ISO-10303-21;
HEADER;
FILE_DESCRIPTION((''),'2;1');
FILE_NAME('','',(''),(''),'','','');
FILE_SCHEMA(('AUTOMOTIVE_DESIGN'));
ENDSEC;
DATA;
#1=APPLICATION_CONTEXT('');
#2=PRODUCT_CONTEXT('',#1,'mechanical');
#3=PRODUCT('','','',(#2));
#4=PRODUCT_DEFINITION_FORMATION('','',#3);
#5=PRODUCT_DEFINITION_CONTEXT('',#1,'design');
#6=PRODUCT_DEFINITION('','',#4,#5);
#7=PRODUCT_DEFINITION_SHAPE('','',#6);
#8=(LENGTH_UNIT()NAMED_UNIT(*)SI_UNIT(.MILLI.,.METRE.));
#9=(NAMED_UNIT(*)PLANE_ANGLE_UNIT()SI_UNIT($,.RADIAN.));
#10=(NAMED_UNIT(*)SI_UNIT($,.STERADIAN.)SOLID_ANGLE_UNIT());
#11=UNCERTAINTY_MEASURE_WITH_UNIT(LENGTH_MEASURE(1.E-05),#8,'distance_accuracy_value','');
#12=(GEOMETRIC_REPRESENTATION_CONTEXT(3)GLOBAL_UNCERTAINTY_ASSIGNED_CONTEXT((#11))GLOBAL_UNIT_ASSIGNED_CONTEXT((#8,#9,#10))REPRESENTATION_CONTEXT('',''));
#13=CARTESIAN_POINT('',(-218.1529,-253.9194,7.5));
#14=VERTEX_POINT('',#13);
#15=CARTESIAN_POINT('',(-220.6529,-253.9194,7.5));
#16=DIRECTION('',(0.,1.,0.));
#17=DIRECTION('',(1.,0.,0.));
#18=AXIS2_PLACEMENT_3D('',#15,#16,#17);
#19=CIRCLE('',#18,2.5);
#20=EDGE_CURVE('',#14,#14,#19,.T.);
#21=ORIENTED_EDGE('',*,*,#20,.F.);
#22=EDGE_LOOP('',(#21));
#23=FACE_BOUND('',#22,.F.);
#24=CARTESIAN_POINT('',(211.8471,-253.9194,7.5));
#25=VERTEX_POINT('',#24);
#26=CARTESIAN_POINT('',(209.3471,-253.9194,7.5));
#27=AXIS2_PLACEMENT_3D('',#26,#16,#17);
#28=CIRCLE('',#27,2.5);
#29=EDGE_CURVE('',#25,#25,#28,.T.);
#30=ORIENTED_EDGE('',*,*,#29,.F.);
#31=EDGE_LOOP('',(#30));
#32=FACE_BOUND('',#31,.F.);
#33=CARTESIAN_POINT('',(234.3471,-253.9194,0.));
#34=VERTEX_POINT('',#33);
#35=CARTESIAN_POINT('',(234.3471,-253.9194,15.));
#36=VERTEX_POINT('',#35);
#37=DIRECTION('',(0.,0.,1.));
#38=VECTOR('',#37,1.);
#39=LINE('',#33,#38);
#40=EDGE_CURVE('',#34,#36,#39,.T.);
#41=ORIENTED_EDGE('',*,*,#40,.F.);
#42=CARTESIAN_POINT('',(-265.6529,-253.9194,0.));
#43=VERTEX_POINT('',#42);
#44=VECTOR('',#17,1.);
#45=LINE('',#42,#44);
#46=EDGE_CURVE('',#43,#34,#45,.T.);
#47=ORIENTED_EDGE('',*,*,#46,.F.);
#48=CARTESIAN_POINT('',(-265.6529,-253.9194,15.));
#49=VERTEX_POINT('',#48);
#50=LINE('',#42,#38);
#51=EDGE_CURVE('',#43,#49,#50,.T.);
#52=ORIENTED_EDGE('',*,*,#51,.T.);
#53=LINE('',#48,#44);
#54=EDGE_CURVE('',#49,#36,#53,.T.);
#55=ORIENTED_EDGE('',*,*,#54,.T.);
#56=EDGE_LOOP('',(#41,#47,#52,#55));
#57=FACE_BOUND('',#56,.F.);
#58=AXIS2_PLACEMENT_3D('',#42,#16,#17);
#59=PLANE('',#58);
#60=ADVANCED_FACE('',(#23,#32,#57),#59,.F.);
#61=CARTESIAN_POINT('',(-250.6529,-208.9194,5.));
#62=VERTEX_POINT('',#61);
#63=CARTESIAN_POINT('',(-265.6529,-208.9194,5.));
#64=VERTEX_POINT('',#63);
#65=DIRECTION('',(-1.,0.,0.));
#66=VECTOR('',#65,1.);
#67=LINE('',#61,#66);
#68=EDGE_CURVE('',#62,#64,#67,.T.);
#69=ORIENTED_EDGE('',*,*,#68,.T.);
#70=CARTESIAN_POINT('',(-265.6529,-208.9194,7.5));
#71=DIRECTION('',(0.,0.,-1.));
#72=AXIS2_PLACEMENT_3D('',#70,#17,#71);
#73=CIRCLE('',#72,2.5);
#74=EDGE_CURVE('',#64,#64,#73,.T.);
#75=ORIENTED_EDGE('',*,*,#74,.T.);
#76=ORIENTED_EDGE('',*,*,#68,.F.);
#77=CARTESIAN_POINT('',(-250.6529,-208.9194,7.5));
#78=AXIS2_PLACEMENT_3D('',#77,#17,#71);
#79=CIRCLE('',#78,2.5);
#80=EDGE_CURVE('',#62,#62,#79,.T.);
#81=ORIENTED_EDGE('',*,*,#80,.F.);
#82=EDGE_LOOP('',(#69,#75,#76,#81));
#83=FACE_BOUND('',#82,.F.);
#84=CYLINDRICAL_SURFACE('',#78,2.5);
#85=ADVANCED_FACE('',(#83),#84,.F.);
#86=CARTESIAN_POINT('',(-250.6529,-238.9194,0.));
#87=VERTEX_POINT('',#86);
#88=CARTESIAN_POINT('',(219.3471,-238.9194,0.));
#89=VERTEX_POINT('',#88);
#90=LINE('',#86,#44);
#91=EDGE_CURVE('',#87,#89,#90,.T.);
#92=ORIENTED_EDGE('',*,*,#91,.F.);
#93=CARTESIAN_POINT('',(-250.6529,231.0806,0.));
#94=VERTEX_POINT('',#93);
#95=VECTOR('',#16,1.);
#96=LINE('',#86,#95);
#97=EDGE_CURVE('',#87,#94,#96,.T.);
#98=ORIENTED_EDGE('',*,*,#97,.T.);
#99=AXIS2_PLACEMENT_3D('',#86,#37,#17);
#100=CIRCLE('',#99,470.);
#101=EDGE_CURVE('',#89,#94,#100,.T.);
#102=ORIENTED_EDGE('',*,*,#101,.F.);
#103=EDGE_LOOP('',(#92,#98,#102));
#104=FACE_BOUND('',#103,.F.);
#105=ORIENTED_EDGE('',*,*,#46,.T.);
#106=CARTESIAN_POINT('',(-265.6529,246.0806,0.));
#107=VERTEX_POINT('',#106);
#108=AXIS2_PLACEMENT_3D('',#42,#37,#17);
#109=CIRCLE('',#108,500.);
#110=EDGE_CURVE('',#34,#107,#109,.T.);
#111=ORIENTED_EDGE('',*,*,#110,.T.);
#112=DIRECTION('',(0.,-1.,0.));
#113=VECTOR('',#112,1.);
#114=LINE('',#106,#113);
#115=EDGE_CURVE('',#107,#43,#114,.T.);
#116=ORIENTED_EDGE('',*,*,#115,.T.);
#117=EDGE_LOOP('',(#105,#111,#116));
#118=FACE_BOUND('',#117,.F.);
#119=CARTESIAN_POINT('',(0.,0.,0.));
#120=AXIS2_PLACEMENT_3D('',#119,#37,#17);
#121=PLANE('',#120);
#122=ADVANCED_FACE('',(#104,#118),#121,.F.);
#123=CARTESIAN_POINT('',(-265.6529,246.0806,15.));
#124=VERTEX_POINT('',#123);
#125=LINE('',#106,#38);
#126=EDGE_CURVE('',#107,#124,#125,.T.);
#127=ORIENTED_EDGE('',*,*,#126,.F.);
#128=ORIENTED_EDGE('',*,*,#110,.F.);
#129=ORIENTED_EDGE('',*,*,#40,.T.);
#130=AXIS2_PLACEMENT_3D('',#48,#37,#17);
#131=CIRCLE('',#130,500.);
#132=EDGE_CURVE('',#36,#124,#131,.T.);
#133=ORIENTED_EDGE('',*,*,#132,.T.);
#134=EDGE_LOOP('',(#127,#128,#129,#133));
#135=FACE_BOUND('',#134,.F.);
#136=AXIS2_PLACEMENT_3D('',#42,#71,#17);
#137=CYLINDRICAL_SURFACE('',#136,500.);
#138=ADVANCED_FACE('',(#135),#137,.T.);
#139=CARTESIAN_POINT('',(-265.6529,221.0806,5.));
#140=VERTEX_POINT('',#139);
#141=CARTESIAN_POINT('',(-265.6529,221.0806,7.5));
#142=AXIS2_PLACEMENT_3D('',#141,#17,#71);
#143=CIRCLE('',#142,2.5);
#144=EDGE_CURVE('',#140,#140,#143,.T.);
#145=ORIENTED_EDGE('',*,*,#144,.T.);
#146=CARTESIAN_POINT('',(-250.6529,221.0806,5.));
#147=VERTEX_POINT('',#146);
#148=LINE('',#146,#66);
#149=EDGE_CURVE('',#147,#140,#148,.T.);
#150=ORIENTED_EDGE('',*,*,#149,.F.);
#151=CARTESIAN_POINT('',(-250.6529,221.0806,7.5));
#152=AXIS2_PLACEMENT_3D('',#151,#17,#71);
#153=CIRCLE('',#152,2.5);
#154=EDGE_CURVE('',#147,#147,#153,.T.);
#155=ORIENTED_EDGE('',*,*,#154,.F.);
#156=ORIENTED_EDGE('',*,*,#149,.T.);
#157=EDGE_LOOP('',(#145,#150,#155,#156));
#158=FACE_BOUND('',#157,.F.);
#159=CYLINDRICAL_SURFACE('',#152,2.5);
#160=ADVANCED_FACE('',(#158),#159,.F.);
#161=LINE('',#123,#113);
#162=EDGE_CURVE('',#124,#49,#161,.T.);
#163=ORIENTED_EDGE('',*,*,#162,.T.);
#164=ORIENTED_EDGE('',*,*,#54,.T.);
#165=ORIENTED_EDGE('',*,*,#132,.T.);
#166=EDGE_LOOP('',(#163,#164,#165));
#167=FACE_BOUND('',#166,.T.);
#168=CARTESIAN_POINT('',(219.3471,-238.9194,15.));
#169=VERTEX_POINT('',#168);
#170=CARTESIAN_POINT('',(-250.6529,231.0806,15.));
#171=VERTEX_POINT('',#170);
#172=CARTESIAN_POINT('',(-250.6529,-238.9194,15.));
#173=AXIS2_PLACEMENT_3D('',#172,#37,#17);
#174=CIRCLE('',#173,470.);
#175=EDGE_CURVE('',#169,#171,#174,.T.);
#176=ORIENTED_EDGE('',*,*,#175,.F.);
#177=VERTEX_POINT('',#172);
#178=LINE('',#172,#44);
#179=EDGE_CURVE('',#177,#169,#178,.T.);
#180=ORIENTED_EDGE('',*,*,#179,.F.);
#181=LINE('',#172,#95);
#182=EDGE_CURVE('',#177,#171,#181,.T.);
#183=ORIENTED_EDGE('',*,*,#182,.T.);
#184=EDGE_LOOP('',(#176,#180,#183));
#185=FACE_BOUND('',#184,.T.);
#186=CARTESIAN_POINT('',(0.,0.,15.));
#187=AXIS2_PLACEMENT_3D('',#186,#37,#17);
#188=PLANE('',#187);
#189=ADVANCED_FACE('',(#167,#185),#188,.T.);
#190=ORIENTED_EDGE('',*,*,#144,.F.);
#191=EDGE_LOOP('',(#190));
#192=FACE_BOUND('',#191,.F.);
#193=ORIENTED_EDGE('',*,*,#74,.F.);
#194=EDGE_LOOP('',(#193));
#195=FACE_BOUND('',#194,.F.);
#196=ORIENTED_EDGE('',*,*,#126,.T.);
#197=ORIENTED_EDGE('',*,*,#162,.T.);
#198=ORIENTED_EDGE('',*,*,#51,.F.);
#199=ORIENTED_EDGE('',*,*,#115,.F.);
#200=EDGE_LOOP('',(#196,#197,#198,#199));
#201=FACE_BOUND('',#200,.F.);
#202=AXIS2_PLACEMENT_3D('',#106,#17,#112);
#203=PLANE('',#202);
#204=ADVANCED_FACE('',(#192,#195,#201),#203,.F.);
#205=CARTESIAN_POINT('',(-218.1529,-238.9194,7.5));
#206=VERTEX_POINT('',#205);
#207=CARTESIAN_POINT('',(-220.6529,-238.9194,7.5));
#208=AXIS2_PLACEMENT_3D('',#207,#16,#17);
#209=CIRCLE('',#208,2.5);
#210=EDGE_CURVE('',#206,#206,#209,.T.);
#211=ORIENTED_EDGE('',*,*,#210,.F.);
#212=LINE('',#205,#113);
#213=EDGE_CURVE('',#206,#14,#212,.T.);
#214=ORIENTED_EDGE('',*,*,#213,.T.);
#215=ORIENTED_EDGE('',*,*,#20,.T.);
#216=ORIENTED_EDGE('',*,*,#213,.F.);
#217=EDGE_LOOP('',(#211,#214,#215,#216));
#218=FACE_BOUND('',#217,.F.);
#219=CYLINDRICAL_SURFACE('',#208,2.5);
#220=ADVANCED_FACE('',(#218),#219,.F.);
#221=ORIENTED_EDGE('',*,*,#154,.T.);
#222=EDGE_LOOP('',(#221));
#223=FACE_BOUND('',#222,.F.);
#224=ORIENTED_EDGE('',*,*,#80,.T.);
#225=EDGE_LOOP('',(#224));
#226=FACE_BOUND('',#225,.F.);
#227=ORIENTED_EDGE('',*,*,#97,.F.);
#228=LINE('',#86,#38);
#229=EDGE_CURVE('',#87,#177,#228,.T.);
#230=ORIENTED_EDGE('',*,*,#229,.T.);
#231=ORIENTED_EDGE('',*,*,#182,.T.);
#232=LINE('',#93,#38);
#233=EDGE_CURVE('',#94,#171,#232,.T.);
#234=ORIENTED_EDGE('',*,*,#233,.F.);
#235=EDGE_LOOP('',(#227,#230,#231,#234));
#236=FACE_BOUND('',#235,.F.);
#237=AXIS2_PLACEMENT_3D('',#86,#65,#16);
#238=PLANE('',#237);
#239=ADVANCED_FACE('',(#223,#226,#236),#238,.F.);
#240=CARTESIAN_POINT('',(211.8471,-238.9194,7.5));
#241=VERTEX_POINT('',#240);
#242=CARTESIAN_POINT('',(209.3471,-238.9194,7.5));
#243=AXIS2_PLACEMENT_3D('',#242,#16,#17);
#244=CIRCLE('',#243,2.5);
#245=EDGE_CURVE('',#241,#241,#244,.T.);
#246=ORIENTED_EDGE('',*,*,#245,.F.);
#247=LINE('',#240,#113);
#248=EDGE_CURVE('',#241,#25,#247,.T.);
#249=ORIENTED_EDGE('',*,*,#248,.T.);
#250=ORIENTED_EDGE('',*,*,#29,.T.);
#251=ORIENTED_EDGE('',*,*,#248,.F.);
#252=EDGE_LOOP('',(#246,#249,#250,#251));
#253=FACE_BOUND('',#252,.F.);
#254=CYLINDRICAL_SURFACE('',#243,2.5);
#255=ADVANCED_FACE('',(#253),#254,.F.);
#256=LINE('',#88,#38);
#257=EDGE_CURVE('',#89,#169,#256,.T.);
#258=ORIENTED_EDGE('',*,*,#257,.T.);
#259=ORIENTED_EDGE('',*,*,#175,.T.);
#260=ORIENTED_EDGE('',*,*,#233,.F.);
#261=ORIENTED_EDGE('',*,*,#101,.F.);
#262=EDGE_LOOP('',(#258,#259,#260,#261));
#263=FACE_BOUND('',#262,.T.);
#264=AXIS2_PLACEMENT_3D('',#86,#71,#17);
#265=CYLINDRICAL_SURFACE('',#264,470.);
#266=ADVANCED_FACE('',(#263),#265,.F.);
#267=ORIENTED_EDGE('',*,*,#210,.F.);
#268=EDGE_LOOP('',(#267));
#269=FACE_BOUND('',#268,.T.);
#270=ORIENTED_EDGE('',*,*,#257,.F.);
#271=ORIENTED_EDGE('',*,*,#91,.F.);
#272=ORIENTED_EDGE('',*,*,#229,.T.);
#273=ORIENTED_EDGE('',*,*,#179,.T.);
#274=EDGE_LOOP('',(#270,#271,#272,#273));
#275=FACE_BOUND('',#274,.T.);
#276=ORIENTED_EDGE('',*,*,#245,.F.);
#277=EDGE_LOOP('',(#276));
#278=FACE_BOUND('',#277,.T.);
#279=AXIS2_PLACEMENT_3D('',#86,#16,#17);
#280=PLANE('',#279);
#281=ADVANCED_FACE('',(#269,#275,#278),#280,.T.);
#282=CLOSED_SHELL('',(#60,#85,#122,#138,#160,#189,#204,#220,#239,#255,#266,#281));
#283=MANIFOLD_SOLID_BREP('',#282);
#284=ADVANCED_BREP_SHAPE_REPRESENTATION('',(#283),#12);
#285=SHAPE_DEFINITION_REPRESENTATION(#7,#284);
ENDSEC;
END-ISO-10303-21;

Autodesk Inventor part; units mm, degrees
ref_plane "YZ Plane" through (0, 0, 0) normal (1, 0, 0) x (0, 1, 0)
ref_plane "XZ Plane" through (0, 0, 0) normal (0, 1, 0) x (-1, 0, 0)
ref_plane "XY Plane" through (0, 0, 0) normal (0, 0, 1) x (1, 0, 0)
sketch "草图1" plane through (0, 0, 0) normal (0, 0, 1) x (1, 0, 0)
  line L0 (-265.6529, 246.0806) -> (-265.6529, -253.9194)
  line L1 (-265.6529, -253.9194) -> (234.3471, -253.9194)
  line L2 (-250.6529, -238.9194) -> (-250.6529, 231.0806)
  line L3 (-250.6529, -238.9194) -> (219.3471, -238.9194)
  arc A0 (219.3471, -238.9194) -> (-250.6529, 231.0806) centre (-250.6529, -238.9194) ccw
  arc A1 (234.3471, -253.9194) -> (-265.6529, 246.0806) centre (-265.6529, -253.9194) ccw
  point P0 (0, 0)
  dimension "d0" = 500
  dimension "d1" = 500
  dimension "d2" = 15
  dimension "d3" = 15
  dimension "d4" = 470
  dimension "d5" = 470
  dimension "d6" = 470
  dimension "d7" = 500
extrude "拉伸1" add sketch "草图1" along normal blind 15
sketch "草图2" plane through (-250.6529, -238.9194, 0) normal (1, 0, 0) x (0, 0, -1)
  circle A0 centre (-7.5, 30) radius 2.5
  circle A1 centre (-7.5, 460) radius 2.5
  line L0 (0, 0) -> (-15, 0) projected
  line L1 (0, 470) -> (0, 0) projected
  point P0 (0, 238.9194)
  dimension "d10" = 5
  dimension "d11" = 5
  dimension "d12" = 30
  dimension "d13" = 430
  dimension "d20" = 7.5
  dimension "d21" = 7.5
extrude "拉伸2" cut sketch "草图2" against normal blind 430
thread "螺纹1" size "M5x0.8" class "6H" standard "ANSI Metric M Profile" full length
thread "螺纹2" size "M5x0.8" class "6H" standard "ANSI Metric M Profile" full length
sketch "草图3" plane through (-250.6529, -238.9194, 0) normal (0, 1, 0) x (1, 0, 0)
  circle A0 centre (30, -7.5) radius 2.5
  circle A1 centre (460, -7.5) radius 2.5
  line L0 (0, 0) -> (0, -15) projected
  line L1 (470, -15) -> (0, -15) projected
  point P0 (250.6529, 0)
  dimension "d22" = 5
  dimension "d23" = 5
  dimension "d24" = 30
  dimension "d25" = 430
  dimension "d26" = 7.5
  dimension "d27" = 7.5
extrude "拉伸3" cut sketch "草图3" against normal through all
thread "螺纹3" size "M5x0.8" class "6H" standard "ANSI Metric M Profile" full length
thread "螺纹4" size "M5x0.8" class "6H" standard "ANSI Metric M Profile" full length
equation "\"d14\" = d13"
equation "\"d28\" = d22"
properties part number "Corner glass holding bar"
